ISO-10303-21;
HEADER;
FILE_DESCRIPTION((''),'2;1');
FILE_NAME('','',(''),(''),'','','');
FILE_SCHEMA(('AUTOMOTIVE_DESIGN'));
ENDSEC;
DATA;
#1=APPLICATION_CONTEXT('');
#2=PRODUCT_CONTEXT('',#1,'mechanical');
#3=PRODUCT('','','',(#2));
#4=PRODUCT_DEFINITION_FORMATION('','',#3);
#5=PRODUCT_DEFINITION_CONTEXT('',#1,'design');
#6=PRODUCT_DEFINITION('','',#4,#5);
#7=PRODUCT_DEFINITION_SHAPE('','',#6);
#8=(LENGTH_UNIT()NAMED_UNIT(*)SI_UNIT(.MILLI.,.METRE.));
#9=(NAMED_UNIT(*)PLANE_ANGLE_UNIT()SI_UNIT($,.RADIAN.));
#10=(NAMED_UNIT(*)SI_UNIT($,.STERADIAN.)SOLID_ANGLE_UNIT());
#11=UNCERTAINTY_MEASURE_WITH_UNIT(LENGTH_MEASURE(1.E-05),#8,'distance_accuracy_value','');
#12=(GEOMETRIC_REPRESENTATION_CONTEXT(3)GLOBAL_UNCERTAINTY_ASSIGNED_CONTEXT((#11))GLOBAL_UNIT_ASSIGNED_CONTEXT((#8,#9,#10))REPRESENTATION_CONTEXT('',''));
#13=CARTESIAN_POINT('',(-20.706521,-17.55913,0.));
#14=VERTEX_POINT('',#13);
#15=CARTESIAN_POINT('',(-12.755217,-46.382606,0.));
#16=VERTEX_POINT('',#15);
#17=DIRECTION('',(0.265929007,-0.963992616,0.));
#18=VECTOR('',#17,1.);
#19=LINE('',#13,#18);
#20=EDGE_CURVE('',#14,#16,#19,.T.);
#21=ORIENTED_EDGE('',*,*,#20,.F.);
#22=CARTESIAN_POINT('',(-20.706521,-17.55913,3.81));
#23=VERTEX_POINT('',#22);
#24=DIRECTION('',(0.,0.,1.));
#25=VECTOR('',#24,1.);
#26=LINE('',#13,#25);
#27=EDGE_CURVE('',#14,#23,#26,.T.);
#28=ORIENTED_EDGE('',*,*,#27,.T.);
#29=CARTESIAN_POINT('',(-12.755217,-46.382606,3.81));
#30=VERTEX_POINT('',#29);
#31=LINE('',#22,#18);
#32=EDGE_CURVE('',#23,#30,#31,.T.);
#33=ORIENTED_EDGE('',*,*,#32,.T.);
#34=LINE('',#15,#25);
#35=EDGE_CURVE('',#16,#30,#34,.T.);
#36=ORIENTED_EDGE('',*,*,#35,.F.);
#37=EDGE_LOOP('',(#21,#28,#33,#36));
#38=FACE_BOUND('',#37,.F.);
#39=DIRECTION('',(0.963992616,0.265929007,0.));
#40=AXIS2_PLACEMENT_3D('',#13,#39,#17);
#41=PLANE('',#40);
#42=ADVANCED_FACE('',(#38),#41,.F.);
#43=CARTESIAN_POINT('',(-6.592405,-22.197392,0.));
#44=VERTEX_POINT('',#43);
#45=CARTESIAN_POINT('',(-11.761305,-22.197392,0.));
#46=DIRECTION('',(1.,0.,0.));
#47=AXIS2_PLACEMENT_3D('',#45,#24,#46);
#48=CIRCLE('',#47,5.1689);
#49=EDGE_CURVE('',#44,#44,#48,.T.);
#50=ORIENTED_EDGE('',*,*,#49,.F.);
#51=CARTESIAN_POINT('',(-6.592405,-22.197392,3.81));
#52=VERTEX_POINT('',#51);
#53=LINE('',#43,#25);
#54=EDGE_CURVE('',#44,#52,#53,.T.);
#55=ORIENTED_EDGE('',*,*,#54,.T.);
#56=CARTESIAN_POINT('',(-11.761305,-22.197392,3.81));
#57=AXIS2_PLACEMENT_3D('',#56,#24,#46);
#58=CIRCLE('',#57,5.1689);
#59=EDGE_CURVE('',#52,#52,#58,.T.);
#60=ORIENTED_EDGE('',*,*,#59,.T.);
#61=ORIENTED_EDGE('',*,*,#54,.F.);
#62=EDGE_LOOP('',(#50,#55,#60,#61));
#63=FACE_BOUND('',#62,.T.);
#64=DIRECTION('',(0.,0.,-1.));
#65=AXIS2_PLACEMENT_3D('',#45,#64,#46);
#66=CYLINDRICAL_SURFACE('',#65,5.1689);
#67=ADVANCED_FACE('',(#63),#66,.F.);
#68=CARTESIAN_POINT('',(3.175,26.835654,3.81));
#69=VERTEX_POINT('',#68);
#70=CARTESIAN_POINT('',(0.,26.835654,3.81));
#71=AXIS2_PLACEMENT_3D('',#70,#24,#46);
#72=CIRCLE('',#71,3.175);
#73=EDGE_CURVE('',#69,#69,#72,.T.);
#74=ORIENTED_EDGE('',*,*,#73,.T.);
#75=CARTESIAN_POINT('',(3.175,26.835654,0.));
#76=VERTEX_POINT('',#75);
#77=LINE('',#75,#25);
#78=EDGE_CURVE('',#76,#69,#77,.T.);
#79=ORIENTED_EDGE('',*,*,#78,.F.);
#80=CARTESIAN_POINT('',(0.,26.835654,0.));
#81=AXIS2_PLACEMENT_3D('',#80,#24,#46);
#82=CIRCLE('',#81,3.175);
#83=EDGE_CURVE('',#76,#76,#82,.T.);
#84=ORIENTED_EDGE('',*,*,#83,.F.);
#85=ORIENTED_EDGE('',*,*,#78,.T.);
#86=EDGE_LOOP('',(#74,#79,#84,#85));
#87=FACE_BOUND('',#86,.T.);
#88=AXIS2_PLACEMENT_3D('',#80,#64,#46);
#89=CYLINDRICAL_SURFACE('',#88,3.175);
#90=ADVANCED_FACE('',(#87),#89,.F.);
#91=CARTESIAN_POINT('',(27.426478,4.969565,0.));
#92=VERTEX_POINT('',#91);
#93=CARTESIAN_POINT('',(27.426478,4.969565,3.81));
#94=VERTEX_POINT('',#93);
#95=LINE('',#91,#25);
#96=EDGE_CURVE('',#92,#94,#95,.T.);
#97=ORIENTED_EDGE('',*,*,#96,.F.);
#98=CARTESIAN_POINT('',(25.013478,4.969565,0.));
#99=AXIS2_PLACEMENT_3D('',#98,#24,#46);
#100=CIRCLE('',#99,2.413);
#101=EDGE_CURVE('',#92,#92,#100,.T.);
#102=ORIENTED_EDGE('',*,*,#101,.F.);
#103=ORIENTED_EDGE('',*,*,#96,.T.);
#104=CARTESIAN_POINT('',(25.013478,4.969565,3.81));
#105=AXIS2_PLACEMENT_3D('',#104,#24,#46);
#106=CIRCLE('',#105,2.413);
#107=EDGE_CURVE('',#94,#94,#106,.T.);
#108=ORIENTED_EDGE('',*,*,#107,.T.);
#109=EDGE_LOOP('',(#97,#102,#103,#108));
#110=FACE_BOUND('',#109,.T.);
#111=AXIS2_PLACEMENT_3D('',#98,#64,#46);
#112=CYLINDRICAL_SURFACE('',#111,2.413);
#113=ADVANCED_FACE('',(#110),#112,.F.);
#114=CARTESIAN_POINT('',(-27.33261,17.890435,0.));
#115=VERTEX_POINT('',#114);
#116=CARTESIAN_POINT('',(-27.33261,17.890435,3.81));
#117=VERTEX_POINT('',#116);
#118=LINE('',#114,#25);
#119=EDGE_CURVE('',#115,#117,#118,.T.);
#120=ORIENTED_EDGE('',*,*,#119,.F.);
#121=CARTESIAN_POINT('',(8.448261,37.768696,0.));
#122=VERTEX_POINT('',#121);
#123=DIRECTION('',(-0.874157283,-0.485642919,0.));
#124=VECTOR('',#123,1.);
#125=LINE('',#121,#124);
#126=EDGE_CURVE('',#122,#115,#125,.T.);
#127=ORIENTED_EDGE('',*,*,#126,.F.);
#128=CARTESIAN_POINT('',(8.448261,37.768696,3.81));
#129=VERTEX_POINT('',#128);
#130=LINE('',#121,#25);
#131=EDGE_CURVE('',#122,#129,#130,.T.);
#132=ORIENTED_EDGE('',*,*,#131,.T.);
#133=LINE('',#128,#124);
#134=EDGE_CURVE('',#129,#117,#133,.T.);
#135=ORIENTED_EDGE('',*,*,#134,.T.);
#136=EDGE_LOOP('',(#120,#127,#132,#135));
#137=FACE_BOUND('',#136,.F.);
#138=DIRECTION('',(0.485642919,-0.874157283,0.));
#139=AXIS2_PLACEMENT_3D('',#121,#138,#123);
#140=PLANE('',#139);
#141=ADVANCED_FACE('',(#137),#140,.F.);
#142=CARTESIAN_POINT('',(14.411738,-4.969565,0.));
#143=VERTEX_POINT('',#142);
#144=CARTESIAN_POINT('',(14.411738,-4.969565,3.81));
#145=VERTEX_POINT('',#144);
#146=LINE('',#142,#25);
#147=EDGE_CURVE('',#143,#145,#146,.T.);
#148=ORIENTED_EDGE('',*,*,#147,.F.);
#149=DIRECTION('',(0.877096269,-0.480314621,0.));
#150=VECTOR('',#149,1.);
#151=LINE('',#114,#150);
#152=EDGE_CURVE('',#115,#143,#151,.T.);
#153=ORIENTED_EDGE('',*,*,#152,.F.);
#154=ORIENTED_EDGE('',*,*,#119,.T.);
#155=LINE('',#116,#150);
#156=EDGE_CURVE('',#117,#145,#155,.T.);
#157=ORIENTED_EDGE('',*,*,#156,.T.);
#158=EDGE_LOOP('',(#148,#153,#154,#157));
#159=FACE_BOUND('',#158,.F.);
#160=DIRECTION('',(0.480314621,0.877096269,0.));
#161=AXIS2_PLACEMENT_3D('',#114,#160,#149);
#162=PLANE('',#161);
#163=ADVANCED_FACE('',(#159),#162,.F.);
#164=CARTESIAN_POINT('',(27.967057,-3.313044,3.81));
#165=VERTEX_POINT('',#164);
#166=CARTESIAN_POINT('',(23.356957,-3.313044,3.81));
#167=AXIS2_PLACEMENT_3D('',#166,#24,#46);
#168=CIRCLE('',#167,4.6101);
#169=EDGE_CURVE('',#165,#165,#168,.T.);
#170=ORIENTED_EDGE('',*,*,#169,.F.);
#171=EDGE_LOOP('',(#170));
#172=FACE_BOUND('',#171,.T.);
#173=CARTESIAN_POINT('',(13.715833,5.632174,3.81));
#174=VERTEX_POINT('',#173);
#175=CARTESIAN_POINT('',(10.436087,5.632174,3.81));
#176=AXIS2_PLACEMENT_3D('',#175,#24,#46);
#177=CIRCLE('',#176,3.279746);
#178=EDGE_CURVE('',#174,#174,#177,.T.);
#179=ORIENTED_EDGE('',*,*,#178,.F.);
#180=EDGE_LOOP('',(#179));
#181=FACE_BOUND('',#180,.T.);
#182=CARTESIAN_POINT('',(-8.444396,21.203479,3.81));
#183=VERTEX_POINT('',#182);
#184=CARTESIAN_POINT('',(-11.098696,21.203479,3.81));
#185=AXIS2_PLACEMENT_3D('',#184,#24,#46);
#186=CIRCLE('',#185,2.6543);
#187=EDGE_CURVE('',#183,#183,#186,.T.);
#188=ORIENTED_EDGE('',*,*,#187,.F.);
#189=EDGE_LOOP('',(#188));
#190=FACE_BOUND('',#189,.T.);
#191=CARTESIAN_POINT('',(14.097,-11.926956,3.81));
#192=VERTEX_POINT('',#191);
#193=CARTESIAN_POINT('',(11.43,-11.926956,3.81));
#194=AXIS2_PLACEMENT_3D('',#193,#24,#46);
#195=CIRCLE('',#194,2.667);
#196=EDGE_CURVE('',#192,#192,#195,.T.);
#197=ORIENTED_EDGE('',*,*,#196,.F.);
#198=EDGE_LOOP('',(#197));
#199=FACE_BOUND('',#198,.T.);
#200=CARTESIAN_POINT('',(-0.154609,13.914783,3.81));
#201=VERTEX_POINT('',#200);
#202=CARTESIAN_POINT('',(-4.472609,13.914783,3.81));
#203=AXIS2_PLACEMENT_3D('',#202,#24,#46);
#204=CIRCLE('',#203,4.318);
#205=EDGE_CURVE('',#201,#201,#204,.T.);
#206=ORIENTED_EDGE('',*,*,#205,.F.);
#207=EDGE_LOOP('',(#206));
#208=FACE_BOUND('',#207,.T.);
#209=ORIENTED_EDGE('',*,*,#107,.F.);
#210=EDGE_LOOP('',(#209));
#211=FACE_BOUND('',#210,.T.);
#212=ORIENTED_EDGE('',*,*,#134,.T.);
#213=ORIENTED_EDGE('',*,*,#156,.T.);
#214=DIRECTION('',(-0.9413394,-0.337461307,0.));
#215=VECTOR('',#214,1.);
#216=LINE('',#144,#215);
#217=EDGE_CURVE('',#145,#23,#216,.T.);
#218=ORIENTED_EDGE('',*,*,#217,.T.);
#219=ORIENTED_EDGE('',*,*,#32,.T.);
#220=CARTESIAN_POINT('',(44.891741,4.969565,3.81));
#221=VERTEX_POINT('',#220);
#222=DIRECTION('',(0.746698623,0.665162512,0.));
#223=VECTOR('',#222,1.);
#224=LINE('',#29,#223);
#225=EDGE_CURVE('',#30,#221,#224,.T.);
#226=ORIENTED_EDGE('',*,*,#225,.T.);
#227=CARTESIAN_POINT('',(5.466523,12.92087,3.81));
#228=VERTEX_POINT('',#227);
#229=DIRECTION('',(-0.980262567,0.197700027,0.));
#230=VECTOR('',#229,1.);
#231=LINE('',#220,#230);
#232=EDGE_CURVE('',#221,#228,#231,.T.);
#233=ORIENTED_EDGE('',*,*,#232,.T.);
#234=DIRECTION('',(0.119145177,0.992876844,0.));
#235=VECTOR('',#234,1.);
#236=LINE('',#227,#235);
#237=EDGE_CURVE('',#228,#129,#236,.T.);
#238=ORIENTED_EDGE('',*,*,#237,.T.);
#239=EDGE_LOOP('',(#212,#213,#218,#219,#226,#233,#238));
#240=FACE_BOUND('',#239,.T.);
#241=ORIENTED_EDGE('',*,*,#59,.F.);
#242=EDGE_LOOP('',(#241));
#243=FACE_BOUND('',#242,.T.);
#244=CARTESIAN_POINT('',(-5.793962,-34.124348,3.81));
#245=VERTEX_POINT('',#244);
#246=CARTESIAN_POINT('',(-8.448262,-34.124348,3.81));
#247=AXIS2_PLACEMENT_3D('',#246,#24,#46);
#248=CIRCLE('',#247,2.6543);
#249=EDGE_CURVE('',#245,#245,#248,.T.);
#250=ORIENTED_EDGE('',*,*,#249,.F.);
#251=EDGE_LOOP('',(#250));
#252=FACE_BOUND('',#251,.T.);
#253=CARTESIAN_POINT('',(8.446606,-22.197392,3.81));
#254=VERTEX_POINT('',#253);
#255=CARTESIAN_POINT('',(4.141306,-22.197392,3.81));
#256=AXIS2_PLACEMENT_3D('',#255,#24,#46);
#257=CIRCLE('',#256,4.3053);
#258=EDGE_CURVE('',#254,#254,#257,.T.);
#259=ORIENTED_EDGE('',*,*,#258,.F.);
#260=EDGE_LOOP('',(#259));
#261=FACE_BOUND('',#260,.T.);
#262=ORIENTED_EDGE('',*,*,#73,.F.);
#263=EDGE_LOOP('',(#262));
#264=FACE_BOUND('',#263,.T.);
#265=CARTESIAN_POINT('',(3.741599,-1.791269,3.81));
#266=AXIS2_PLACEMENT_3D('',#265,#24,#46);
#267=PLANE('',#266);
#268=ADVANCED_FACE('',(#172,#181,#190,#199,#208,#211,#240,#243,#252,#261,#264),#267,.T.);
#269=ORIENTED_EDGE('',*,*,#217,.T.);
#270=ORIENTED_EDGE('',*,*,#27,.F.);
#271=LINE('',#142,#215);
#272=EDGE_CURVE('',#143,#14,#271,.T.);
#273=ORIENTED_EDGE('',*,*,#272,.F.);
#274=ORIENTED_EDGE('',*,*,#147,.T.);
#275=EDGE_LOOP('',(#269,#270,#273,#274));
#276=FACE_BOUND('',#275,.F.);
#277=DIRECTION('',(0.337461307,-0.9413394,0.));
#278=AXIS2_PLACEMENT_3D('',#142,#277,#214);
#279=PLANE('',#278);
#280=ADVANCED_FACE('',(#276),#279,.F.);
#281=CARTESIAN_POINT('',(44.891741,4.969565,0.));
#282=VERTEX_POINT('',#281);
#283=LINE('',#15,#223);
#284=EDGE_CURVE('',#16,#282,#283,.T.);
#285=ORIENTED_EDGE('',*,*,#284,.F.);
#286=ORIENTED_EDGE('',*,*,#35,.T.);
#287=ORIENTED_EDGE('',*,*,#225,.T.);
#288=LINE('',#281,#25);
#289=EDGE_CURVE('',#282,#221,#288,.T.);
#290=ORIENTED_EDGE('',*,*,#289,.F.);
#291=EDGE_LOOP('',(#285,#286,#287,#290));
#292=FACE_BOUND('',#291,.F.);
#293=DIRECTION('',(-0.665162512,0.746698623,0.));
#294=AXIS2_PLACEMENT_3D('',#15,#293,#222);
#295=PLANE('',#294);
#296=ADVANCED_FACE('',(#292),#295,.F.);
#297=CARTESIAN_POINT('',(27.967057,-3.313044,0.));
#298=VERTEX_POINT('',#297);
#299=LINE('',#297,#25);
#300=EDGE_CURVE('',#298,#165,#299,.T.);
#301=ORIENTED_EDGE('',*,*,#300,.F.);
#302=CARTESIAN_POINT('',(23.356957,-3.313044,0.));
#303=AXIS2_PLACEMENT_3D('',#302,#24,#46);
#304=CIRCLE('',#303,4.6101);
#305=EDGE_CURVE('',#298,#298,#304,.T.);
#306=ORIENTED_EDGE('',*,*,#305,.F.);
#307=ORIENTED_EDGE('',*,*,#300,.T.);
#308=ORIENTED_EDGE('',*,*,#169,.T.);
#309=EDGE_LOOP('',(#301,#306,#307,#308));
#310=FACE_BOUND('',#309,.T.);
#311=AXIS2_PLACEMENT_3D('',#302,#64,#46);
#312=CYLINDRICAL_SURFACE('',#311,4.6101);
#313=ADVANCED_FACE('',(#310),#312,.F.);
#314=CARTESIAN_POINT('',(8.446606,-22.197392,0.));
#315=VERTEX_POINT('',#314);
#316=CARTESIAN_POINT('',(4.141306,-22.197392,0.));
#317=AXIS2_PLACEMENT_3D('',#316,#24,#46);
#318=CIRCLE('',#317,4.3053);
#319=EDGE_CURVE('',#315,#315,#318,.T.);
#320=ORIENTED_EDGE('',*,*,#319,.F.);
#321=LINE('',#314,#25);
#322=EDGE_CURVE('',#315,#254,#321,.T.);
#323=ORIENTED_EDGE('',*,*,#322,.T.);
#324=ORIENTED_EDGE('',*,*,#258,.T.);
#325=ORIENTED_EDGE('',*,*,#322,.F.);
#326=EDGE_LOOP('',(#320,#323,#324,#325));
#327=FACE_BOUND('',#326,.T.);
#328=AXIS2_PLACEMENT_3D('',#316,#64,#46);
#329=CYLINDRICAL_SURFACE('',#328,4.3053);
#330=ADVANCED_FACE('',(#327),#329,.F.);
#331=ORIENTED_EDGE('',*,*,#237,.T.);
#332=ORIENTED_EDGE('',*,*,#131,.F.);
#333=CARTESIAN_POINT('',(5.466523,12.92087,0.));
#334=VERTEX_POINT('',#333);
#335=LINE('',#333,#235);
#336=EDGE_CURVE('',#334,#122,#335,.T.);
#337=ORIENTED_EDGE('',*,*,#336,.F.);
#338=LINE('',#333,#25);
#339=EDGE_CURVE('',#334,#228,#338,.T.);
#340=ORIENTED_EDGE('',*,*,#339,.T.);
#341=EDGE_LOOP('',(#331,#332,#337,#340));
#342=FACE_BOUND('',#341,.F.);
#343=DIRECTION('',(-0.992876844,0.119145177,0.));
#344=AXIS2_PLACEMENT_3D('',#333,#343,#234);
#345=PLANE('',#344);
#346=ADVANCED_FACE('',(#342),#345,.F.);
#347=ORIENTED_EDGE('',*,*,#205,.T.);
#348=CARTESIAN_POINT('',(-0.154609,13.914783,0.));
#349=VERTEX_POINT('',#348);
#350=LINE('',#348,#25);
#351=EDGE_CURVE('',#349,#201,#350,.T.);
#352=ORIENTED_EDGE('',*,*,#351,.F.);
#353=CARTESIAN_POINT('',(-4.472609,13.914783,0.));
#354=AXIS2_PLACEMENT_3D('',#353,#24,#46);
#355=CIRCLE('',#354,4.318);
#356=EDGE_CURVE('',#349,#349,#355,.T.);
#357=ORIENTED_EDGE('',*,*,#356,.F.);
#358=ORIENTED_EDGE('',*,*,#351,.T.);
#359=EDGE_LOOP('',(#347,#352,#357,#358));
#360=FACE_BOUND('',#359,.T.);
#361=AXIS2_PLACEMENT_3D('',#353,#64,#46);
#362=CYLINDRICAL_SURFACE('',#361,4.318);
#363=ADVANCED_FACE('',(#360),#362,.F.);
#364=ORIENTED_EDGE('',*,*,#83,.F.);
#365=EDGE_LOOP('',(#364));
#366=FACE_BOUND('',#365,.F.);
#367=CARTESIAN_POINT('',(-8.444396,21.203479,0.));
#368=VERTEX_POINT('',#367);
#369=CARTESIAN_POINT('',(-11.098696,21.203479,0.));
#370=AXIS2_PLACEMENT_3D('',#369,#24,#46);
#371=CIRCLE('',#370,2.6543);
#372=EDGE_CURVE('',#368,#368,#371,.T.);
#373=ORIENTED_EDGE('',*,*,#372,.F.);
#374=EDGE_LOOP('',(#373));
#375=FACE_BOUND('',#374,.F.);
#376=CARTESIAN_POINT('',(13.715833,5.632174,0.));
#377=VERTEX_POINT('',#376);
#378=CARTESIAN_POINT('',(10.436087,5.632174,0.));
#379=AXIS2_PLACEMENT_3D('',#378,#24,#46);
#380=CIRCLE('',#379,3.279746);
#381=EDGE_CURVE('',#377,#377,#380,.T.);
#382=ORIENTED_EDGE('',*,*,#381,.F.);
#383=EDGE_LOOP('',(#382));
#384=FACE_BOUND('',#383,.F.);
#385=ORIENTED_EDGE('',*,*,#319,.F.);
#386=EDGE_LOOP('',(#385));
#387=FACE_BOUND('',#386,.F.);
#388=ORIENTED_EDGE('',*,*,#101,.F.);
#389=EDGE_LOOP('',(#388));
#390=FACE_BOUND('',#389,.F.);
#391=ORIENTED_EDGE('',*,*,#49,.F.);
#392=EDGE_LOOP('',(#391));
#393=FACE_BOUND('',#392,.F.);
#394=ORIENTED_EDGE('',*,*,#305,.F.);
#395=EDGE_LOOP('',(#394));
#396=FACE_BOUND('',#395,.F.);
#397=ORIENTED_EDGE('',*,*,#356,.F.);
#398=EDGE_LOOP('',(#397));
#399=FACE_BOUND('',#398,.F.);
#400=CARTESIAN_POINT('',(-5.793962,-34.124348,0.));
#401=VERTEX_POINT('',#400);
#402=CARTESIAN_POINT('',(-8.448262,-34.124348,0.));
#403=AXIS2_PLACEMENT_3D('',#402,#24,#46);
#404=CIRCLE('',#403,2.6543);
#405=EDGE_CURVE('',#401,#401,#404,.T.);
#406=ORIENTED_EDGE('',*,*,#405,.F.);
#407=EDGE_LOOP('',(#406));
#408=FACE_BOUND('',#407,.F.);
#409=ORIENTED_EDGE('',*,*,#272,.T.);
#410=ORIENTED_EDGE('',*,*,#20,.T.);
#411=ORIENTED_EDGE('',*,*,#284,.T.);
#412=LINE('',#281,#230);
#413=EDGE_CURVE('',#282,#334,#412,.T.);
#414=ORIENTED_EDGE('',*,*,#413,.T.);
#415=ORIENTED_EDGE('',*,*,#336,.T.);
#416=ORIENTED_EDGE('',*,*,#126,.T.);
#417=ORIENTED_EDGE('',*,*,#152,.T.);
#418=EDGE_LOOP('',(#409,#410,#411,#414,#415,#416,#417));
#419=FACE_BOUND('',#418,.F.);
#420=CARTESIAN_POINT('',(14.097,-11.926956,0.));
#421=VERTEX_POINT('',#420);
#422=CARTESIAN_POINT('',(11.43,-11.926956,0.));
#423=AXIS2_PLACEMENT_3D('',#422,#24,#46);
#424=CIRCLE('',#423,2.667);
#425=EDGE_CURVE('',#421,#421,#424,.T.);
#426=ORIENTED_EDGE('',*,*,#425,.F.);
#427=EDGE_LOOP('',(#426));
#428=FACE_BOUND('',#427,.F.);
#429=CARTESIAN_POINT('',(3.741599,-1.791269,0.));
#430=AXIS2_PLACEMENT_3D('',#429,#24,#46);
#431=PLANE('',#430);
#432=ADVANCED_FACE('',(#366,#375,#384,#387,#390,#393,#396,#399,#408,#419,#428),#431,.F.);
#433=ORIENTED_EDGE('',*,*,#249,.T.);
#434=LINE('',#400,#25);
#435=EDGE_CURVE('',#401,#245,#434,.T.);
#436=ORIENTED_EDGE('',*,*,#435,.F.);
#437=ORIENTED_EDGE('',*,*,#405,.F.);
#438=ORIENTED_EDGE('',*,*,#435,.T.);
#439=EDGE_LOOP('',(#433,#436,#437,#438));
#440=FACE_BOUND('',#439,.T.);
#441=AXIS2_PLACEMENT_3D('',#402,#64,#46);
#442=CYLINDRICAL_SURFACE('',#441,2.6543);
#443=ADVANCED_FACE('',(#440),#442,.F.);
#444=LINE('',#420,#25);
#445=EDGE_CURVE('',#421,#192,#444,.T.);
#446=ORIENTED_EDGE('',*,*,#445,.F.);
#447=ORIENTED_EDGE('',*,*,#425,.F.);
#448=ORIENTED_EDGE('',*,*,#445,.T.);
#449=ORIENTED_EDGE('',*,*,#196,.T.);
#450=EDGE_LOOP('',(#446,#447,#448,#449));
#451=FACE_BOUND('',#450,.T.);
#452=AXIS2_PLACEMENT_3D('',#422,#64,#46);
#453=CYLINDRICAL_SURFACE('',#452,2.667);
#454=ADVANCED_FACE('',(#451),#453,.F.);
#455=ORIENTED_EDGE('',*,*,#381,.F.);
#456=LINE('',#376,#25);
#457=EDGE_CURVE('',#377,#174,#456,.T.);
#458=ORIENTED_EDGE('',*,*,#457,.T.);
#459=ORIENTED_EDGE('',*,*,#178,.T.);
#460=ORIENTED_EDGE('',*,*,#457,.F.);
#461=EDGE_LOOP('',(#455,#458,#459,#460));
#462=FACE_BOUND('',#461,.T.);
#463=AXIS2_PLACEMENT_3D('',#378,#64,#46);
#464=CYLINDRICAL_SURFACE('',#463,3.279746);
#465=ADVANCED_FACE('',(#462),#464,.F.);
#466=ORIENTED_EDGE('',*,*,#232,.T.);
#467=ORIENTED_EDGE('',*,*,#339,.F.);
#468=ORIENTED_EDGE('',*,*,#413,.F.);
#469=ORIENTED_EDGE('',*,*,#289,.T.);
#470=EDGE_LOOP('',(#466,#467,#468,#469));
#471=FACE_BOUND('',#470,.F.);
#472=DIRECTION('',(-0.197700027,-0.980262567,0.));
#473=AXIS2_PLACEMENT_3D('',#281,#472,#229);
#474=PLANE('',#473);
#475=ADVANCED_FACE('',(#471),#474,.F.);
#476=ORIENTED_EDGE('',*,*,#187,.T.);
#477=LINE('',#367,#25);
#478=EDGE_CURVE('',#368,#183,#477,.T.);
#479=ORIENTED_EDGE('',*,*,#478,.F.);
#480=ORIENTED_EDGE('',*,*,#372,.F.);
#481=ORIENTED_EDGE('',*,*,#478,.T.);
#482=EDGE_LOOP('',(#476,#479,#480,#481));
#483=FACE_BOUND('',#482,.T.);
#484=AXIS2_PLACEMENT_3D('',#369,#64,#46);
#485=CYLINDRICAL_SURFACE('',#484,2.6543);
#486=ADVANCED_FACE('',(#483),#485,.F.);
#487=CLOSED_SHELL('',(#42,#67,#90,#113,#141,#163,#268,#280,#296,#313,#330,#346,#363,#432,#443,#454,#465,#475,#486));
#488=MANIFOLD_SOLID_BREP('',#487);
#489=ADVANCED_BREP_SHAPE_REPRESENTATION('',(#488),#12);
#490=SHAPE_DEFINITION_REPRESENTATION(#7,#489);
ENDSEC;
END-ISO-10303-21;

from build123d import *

# Parameters (mm, degrees)
F0_R     = 2.6543
F0_R_2   = 5.1689
F0_R_3   = 4.3053
F0_R_4   = 2.667
F0_R_5   = 4.318
F0_R_6   = 3.175
F0_R_7   = 3.279746
F0_R_8   = 4.6101
F0_R_9   = 2.413
F1_DEPTH = 3.81


with BuildPart() as f1:
    # F0 (on Top) → F1 (new body)
    with BuildSketch(Plane.XY):
        Polygon((5.466523, 12.92087), (8.448261, 37.768696), (-27.33261, 17.890435), (14.411738, -4.969565), (-20.706521, -17.55913), (-12.755217, -46.382606), (44.891741, 4.969565), align=None)
        with Locations((-8.448262, -34.124348)):
            Circle(F0_R, mode=Mode.SUBTRACT)
        with Locations((-11.761305, -22.197392)):
            Circle(F0_R_2, mode=Mode.SUBTRACT)
        with Locations((4.141306, -22.197392)):
            Circle(F0_R_3, mode=Mode.SUBTRACT)
        with Locations((11.43, -11.926956)):
            Circle(F0_R_4, mode=Mode.SUBTRACT)
        with Locations((-4.472609, 13.914783)):
            Circle(F0_R_5, mode=Mode.SUBTRACT)
        with Locations((-11.098696, 21.203479)):
            Circle(F0_R, mode=Mode.SUBTRACT)
        with Locations((0, 26.835654)):
            Circle(F0_R_6, mode=Mode.SUBTRACT)
        with Locations((10.436087, 5.632174)):
            Circle(F0_R_7, mode=Mode.SUBTRACT)
        with Locations((23.356957, -3.313044)):
            Circle(F0_R_8, mode=Mode.SUBTRACT)
        with Locations((25.013478, 4.969565)):
            Circle(F0_R_9, mode=Mode.SUBTRACT)
    extrude(amount=F1_DEPTH)


solid = f1.part
